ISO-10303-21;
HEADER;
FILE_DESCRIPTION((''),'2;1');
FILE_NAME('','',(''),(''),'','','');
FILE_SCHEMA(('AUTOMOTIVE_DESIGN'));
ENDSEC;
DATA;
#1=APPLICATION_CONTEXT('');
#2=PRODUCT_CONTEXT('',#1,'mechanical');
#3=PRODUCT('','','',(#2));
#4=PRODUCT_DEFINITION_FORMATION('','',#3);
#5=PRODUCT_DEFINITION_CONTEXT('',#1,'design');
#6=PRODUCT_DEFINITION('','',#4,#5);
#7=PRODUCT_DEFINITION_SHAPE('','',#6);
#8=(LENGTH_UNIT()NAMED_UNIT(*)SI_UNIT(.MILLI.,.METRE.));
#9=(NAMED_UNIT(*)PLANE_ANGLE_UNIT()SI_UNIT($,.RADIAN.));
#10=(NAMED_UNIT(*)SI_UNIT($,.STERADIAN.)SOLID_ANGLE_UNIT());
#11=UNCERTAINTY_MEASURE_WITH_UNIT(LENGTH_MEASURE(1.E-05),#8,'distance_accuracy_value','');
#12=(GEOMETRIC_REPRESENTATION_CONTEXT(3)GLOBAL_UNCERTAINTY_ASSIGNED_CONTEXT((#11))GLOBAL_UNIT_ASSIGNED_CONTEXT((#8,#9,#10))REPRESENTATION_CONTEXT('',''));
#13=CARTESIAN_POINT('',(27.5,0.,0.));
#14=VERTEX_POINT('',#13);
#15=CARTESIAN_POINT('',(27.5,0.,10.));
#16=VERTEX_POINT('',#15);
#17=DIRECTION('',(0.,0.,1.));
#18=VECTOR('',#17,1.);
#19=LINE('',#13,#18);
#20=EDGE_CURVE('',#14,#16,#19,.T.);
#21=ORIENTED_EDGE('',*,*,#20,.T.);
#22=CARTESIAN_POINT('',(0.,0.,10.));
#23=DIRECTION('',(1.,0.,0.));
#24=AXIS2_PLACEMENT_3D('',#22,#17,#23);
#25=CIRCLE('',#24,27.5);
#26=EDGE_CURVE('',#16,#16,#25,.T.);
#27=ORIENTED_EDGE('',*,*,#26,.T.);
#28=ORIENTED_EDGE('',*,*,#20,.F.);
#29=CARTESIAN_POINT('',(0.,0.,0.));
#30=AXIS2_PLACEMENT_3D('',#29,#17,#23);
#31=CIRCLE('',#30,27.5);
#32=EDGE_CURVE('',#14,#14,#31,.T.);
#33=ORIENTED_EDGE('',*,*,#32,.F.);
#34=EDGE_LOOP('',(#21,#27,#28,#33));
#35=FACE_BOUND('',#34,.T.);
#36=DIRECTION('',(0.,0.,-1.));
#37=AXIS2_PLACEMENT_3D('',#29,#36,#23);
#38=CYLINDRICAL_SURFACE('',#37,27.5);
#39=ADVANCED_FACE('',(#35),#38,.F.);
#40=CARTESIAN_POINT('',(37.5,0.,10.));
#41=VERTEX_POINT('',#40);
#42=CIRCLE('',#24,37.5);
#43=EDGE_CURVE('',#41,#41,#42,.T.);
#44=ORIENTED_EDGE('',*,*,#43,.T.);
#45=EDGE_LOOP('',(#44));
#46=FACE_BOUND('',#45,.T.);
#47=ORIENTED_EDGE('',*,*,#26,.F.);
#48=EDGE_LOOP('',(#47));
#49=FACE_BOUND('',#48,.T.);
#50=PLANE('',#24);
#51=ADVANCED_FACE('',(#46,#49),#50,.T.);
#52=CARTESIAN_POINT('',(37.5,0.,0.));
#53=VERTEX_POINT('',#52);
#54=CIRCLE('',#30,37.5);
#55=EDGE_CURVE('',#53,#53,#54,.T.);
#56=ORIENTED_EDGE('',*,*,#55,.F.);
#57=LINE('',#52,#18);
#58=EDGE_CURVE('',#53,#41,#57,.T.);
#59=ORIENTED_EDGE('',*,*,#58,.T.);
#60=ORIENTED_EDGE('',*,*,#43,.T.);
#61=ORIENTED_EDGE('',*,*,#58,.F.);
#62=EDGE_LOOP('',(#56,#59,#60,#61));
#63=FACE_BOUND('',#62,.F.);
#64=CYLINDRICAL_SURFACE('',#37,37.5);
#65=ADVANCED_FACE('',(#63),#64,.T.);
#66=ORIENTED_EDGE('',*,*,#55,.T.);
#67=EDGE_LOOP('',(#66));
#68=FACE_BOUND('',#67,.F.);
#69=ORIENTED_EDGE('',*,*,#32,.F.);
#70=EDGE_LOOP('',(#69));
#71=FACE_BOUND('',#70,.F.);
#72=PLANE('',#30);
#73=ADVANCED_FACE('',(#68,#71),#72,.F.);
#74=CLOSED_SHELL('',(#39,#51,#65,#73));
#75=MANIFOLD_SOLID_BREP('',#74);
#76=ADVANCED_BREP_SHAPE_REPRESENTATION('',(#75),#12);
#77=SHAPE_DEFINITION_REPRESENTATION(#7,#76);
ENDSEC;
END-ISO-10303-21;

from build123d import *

# Parameters (mm, degrees)
SKETCH_R   = 37.5
SKETCH_R_2 = 27.5
PAD_DEPTH  = 10


with BuildPart() as part:
    # Sketch → Pad (new body)
    with BuildSketch(Plane.XY):
        Circle(SKETCH_R)
        Circle(SKETCH_R_2, mode=Mode.SUBTRACT)
    extrude(amount=PAD_DEPTH)


solid = part.part
